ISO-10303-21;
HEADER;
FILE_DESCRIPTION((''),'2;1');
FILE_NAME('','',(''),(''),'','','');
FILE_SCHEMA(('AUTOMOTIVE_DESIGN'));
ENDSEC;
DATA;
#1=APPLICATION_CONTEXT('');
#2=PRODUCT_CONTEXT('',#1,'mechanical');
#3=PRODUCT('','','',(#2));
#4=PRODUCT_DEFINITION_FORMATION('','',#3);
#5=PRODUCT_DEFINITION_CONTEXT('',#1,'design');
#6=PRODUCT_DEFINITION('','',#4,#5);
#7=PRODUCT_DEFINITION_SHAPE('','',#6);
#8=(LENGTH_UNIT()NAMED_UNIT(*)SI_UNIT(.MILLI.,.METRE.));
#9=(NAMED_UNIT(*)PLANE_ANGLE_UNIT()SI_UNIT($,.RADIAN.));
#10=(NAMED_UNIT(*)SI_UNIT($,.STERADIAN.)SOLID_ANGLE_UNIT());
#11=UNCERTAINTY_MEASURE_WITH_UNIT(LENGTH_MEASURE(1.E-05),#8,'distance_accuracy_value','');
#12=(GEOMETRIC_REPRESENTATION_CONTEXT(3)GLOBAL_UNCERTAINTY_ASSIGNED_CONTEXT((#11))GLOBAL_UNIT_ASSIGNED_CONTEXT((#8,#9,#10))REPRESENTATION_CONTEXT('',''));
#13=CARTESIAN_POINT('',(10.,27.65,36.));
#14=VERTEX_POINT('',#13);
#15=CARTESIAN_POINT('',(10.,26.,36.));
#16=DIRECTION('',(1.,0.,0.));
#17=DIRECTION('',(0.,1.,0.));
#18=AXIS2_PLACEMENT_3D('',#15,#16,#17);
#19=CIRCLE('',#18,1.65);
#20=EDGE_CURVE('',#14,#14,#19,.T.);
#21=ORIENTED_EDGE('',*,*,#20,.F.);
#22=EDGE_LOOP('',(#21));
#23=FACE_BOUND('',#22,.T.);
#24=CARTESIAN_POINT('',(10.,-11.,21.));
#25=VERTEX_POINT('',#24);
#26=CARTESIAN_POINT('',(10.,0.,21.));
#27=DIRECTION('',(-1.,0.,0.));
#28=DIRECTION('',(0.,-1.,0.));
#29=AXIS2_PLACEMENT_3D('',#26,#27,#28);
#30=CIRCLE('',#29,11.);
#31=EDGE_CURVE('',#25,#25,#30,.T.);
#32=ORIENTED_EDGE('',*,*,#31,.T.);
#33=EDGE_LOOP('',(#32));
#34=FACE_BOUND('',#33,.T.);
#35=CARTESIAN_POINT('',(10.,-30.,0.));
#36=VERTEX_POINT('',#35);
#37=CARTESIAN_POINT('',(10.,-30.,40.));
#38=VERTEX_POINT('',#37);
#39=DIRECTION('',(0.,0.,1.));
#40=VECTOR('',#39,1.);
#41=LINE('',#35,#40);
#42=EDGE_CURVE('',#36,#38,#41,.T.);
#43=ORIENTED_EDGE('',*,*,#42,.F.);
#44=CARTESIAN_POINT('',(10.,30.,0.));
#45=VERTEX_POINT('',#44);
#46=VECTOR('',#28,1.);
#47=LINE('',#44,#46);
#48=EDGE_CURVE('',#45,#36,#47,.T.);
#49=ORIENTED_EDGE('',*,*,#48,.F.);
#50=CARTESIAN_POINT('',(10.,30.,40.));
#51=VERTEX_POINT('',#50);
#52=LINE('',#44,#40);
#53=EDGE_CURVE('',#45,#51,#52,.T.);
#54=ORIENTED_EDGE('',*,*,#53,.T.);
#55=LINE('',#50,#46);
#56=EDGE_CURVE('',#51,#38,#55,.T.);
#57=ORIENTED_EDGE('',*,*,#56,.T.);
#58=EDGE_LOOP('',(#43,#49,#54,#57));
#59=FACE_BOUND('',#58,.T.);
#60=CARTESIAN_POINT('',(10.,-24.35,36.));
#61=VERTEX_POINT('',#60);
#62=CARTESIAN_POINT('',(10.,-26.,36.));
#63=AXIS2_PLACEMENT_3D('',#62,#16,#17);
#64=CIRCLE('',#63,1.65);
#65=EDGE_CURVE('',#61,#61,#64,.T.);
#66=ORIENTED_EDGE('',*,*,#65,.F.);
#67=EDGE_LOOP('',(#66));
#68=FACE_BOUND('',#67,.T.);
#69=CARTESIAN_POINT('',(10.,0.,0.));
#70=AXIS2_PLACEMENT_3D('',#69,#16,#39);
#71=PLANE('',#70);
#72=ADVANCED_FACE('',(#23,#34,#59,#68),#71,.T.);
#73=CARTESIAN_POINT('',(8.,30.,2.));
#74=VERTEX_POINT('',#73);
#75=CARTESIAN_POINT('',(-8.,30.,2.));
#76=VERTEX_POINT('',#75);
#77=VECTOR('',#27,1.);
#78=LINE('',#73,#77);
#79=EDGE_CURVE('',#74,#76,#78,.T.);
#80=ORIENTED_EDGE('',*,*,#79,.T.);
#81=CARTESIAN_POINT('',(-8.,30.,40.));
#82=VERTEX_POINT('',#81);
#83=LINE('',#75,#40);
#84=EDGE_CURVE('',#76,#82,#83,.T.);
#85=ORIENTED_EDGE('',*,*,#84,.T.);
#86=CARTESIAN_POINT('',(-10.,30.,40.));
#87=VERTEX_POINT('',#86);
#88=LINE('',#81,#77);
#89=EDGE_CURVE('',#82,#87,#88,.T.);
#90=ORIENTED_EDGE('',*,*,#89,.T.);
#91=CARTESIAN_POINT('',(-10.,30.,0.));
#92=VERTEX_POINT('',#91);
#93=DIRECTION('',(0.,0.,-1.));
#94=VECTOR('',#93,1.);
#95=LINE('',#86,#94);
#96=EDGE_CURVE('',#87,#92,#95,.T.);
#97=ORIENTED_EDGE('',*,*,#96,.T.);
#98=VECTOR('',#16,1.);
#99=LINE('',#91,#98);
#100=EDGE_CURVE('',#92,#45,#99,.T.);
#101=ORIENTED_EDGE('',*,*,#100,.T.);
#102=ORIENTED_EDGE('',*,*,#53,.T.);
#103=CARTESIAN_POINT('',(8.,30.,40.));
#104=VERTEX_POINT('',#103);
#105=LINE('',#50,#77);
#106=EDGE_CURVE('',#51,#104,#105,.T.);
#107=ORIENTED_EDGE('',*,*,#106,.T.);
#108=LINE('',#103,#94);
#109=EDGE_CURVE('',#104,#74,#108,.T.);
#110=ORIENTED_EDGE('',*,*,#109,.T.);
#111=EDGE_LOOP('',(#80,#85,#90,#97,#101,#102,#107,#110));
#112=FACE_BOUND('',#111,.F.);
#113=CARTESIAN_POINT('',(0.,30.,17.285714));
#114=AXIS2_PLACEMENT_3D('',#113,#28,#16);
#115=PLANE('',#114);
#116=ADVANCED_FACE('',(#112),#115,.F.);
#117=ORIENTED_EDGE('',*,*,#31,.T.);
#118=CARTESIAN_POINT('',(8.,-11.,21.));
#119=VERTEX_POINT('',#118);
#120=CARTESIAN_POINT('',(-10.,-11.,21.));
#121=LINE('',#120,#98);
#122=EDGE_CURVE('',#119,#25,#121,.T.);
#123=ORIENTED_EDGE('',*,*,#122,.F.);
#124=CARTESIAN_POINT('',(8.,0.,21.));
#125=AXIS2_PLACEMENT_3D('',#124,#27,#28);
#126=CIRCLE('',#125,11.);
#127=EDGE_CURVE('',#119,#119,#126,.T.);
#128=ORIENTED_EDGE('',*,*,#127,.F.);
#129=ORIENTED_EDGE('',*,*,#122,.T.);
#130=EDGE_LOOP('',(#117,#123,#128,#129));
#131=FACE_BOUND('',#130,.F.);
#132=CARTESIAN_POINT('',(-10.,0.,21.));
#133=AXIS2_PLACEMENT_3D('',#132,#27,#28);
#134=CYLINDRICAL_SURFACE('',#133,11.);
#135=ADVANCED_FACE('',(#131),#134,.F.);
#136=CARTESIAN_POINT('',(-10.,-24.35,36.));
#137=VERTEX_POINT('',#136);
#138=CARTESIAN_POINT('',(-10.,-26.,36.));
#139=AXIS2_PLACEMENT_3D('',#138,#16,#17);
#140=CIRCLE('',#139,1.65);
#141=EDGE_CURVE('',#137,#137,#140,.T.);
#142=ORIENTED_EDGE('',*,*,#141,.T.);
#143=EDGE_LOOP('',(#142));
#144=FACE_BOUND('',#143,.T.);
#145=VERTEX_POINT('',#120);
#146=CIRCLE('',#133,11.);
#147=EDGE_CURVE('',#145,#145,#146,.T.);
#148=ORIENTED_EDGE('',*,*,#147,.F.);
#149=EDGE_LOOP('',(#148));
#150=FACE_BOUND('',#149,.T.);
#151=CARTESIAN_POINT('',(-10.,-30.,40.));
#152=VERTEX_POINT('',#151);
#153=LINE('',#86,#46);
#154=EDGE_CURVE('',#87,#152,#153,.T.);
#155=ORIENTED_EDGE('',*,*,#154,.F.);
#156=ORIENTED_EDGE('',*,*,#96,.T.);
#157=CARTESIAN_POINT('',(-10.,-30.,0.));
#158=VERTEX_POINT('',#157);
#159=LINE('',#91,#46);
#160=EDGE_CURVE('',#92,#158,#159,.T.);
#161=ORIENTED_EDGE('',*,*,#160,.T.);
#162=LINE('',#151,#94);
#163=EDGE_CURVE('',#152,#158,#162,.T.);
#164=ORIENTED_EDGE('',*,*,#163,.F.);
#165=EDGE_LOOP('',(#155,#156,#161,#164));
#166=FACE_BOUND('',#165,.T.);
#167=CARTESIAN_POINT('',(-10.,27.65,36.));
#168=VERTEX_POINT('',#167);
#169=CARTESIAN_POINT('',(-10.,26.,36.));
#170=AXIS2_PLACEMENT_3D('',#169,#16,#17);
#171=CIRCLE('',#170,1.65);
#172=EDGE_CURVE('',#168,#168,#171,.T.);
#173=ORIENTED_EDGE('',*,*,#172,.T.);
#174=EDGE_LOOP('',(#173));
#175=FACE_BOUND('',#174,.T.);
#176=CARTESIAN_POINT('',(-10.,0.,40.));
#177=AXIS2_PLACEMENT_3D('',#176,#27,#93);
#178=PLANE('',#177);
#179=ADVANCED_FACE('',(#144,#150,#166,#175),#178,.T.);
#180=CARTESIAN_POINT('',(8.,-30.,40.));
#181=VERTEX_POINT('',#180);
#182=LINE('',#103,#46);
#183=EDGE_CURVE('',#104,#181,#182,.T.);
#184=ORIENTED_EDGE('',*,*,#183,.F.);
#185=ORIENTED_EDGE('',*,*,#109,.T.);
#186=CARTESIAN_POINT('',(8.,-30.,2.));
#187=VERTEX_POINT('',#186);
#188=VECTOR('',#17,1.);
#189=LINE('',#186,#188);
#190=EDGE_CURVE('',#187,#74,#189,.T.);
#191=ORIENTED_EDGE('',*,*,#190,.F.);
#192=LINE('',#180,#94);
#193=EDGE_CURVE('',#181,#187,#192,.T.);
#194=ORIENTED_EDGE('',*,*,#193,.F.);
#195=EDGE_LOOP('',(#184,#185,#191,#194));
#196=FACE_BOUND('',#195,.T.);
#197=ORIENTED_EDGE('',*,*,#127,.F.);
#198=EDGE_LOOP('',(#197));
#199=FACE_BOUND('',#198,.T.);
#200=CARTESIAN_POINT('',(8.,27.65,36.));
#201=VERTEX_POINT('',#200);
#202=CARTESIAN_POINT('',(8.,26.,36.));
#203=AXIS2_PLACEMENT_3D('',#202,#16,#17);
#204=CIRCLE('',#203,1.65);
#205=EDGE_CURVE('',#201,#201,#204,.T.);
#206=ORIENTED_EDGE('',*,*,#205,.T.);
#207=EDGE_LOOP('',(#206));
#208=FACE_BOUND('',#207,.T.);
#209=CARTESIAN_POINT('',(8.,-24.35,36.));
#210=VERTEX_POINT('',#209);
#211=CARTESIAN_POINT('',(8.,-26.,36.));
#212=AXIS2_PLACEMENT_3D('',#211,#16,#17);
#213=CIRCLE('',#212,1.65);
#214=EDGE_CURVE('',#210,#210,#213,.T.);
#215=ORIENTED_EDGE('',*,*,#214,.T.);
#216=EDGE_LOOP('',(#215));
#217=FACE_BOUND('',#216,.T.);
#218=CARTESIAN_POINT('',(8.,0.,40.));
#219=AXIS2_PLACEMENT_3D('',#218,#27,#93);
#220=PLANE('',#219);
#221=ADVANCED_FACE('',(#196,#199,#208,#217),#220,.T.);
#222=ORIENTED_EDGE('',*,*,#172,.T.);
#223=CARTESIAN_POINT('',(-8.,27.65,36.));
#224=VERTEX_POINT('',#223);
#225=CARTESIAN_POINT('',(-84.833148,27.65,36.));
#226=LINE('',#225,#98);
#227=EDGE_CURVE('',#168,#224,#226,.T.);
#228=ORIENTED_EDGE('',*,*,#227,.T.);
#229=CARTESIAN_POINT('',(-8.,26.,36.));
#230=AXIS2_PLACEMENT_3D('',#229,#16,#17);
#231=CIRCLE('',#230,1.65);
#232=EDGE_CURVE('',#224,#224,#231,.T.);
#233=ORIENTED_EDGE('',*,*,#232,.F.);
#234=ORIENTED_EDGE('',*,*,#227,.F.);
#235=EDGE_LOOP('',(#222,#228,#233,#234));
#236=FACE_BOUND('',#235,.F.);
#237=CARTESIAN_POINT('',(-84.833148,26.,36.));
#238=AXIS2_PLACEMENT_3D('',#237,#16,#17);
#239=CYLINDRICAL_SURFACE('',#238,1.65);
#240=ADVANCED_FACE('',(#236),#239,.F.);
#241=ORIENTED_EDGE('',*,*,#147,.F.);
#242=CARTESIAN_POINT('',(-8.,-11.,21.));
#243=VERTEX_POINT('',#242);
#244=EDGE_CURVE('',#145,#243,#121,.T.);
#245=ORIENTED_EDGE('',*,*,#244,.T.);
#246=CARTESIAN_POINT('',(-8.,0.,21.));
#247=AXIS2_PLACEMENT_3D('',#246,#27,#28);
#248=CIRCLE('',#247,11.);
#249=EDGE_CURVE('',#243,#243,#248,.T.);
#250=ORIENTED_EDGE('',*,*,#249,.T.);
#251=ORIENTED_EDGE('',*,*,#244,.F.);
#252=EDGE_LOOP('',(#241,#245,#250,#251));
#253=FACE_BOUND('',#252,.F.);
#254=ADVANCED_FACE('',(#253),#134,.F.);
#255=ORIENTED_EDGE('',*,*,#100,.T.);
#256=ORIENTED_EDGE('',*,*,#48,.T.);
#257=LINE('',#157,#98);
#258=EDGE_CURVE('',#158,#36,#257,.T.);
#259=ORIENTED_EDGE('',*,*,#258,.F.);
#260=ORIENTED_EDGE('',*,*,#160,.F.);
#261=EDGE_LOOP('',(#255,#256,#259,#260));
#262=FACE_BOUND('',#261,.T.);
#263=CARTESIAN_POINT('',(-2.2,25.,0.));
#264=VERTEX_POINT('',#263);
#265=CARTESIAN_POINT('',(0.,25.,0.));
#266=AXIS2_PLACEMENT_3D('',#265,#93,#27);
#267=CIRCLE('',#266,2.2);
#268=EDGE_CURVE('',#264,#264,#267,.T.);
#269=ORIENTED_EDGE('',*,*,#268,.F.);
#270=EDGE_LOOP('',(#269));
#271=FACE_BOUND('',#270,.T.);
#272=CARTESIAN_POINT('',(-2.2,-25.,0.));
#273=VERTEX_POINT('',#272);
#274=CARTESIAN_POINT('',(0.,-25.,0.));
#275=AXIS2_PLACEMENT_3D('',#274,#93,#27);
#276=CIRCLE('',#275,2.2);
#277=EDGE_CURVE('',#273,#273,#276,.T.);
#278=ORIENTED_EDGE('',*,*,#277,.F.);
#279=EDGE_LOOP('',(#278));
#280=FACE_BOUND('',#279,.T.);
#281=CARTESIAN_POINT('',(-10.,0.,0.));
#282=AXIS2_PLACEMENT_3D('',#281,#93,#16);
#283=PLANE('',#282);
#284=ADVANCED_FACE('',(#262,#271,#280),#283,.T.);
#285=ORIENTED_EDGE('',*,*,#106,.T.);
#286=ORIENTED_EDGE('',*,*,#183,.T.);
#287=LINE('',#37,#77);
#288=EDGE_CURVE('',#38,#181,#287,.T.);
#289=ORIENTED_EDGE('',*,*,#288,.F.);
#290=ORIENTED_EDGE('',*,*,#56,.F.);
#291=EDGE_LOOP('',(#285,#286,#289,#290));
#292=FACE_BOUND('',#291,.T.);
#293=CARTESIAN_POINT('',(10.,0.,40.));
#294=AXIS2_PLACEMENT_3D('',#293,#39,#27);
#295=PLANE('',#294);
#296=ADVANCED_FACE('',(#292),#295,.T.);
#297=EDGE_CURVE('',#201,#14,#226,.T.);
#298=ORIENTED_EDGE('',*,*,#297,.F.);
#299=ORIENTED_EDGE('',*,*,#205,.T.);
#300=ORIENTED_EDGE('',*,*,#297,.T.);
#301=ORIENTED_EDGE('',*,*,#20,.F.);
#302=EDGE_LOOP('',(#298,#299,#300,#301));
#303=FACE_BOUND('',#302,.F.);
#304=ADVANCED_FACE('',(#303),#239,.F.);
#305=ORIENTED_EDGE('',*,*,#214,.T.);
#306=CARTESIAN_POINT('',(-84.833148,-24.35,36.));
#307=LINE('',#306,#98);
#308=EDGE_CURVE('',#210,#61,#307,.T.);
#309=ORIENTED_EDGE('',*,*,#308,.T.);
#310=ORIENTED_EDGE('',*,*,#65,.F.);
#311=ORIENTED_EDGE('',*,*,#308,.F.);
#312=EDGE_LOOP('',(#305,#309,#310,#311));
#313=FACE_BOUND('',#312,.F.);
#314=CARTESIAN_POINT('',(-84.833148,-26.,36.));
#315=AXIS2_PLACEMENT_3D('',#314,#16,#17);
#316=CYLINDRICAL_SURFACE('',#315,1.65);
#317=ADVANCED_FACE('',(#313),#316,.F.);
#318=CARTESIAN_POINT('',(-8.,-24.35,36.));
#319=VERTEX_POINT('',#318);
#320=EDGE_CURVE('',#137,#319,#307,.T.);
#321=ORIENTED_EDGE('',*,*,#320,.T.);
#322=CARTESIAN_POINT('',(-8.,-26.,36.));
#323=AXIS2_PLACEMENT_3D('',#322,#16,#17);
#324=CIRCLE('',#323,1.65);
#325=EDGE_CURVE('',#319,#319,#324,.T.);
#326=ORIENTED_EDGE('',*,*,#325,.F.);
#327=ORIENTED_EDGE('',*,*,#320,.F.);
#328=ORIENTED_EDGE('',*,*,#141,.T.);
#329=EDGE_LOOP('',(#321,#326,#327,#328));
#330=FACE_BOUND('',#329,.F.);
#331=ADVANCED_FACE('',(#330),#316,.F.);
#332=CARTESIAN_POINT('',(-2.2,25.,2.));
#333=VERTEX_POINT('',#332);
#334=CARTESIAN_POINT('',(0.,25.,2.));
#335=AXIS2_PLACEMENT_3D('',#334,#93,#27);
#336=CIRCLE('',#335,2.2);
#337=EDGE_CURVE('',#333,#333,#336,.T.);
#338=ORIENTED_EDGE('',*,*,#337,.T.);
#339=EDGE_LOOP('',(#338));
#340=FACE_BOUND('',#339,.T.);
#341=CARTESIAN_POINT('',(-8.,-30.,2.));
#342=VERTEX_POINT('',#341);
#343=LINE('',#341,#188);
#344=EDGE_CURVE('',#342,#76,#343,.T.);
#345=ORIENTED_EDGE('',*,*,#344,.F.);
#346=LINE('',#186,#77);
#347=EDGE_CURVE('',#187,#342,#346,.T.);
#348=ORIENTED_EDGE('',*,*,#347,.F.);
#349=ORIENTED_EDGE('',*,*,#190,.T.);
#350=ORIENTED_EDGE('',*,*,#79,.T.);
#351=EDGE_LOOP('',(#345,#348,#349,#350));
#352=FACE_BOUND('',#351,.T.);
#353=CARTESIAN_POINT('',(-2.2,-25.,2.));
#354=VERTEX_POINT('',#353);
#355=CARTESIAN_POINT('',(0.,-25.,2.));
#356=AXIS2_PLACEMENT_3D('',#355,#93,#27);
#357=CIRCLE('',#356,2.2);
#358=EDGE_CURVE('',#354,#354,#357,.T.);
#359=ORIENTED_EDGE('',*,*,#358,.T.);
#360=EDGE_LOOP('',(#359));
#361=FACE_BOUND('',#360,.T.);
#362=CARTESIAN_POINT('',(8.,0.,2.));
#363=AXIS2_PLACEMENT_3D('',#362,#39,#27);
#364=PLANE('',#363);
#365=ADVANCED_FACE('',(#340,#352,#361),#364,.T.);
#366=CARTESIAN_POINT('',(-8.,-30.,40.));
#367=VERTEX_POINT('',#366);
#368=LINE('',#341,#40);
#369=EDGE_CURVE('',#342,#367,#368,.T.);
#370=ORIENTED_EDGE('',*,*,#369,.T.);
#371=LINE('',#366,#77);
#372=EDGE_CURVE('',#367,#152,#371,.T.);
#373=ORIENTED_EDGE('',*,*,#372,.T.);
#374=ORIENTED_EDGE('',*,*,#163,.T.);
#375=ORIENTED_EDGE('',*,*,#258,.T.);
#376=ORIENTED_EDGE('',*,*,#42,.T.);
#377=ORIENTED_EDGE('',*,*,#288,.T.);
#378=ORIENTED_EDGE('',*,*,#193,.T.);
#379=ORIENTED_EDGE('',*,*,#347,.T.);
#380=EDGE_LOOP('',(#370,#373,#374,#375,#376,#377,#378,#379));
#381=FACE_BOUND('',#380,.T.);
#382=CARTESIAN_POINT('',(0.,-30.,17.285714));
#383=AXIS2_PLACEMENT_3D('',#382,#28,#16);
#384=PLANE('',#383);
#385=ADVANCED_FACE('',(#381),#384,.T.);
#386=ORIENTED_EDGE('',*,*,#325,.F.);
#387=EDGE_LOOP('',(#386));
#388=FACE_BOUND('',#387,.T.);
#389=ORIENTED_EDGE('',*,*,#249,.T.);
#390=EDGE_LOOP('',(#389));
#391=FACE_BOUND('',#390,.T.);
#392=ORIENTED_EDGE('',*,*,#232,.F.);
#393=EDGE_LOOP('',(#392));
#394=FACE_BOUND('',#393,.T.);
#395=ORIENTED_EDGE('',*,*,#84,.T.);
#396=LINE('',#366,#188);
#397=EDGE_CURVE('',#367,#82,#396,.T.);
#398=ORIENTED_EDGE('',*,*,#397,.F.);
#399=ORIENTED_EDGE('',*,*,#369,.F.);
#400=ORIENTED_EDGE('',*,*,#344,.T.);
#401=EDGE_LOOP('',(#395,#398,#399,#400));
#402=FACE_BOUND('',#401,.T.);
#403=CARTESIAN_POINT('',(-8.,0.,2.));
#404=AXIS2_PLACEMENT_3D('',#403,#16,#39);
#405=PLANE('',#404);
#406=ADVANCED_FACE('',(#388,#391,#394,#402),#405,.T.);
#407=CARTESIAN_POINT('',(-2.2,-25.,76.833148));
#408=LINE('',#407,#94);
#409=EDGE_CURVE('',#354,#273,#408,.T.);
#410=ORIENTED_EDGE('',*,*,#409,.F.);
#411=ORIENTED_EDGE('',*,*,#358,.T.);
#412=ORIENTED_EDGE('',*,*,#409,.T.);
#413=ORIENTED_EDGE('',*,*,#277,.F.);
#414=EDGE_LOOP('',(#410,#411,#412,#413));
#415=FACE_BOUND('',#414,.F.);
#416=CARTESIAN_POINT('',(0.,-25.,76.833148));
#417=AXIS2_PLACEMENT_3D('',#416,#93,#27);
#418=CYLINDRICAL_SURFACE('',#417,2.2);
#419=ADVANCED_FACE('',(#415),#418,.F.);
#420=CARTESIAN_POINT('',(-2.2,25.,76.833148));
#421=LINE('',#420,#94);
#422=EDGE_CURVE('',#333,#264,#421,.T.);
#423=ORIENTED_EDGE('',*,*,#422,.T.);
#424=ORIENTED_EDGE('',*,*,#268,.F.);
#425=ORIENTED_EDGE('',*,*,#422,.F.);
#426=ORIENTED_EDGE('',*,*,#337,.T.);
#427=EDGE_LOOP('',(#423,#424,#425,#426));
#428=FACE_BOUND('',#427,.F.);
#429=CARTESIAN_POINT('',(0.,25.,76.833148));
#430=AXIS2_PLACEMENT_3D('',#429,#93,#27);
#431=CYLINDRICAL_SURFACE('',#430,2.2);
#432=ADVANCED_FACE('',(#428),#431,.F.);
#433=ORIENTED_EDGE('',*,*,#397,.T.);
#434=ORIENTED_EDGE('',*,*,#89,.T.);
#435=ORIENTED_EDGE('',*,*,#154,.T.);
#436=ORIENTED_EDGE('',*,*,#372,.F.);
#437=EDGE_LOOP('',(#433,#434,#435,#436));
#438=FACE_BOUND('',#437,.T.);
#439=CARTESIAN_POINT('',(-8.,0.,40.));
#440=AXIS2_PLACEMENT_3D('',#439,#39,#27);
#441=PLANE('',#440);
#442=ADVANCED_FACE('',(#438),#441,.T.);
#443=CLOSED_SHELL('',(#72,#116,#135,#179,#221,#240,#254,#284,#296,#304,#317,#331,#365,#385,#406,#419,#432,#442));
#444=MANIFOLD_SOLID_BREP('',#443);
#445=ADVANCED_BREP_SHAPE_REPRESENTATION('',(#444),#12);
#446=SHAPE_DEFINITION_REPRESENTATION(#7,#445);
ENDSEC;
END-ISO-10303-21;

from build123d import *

# Parameters (mm, degrees)
F1_DEPTH = 30
F2_R     = 11
F3_DEPTH = 20
F5_D     = 4.4
F6_D     = 3.3


with BuildPart() as f1:
    # F0 (on Front) → F1 (new body, symmetric)
    with BuildSketch(Plane.XZ):
        Polygon((-8, 40), (-10, 40), (-10, 0), (0, 0), (10, 0), (10, 40), (8, 40), (8, 2), (0, 2), (-8, 2), align=None)
    extrude(amount=F1_DEPTH, both=True)

    # F2 (on face) → F3 (cut, through all)
    with BuildSketch(Plane(origin=(-10, 0, 0), x_dir=(0, -1, 0), z_dir=(-1, 0, 0))):
        with Locations((0, 21)):
            Circle(F2_R)
    extrude(amount=-F3_DEPTH, mode=Mode.SUBTRACT)

    # F5 (through all)
    with Locations(Plane.XY.offset(2)):
        with Locations((0, 25), (0, -25)):
            Hole(F5_D / 2)

    # F6 (through all)
    with Locations(Plane(origin=(-10, 0, 0), x_dir=(0, -1, 0), z_dir=(-1, 0, 0))):
        with Locations((-26, 36), (26, 36)):
            Hole(F6_D / 2)


solid = f1.part
